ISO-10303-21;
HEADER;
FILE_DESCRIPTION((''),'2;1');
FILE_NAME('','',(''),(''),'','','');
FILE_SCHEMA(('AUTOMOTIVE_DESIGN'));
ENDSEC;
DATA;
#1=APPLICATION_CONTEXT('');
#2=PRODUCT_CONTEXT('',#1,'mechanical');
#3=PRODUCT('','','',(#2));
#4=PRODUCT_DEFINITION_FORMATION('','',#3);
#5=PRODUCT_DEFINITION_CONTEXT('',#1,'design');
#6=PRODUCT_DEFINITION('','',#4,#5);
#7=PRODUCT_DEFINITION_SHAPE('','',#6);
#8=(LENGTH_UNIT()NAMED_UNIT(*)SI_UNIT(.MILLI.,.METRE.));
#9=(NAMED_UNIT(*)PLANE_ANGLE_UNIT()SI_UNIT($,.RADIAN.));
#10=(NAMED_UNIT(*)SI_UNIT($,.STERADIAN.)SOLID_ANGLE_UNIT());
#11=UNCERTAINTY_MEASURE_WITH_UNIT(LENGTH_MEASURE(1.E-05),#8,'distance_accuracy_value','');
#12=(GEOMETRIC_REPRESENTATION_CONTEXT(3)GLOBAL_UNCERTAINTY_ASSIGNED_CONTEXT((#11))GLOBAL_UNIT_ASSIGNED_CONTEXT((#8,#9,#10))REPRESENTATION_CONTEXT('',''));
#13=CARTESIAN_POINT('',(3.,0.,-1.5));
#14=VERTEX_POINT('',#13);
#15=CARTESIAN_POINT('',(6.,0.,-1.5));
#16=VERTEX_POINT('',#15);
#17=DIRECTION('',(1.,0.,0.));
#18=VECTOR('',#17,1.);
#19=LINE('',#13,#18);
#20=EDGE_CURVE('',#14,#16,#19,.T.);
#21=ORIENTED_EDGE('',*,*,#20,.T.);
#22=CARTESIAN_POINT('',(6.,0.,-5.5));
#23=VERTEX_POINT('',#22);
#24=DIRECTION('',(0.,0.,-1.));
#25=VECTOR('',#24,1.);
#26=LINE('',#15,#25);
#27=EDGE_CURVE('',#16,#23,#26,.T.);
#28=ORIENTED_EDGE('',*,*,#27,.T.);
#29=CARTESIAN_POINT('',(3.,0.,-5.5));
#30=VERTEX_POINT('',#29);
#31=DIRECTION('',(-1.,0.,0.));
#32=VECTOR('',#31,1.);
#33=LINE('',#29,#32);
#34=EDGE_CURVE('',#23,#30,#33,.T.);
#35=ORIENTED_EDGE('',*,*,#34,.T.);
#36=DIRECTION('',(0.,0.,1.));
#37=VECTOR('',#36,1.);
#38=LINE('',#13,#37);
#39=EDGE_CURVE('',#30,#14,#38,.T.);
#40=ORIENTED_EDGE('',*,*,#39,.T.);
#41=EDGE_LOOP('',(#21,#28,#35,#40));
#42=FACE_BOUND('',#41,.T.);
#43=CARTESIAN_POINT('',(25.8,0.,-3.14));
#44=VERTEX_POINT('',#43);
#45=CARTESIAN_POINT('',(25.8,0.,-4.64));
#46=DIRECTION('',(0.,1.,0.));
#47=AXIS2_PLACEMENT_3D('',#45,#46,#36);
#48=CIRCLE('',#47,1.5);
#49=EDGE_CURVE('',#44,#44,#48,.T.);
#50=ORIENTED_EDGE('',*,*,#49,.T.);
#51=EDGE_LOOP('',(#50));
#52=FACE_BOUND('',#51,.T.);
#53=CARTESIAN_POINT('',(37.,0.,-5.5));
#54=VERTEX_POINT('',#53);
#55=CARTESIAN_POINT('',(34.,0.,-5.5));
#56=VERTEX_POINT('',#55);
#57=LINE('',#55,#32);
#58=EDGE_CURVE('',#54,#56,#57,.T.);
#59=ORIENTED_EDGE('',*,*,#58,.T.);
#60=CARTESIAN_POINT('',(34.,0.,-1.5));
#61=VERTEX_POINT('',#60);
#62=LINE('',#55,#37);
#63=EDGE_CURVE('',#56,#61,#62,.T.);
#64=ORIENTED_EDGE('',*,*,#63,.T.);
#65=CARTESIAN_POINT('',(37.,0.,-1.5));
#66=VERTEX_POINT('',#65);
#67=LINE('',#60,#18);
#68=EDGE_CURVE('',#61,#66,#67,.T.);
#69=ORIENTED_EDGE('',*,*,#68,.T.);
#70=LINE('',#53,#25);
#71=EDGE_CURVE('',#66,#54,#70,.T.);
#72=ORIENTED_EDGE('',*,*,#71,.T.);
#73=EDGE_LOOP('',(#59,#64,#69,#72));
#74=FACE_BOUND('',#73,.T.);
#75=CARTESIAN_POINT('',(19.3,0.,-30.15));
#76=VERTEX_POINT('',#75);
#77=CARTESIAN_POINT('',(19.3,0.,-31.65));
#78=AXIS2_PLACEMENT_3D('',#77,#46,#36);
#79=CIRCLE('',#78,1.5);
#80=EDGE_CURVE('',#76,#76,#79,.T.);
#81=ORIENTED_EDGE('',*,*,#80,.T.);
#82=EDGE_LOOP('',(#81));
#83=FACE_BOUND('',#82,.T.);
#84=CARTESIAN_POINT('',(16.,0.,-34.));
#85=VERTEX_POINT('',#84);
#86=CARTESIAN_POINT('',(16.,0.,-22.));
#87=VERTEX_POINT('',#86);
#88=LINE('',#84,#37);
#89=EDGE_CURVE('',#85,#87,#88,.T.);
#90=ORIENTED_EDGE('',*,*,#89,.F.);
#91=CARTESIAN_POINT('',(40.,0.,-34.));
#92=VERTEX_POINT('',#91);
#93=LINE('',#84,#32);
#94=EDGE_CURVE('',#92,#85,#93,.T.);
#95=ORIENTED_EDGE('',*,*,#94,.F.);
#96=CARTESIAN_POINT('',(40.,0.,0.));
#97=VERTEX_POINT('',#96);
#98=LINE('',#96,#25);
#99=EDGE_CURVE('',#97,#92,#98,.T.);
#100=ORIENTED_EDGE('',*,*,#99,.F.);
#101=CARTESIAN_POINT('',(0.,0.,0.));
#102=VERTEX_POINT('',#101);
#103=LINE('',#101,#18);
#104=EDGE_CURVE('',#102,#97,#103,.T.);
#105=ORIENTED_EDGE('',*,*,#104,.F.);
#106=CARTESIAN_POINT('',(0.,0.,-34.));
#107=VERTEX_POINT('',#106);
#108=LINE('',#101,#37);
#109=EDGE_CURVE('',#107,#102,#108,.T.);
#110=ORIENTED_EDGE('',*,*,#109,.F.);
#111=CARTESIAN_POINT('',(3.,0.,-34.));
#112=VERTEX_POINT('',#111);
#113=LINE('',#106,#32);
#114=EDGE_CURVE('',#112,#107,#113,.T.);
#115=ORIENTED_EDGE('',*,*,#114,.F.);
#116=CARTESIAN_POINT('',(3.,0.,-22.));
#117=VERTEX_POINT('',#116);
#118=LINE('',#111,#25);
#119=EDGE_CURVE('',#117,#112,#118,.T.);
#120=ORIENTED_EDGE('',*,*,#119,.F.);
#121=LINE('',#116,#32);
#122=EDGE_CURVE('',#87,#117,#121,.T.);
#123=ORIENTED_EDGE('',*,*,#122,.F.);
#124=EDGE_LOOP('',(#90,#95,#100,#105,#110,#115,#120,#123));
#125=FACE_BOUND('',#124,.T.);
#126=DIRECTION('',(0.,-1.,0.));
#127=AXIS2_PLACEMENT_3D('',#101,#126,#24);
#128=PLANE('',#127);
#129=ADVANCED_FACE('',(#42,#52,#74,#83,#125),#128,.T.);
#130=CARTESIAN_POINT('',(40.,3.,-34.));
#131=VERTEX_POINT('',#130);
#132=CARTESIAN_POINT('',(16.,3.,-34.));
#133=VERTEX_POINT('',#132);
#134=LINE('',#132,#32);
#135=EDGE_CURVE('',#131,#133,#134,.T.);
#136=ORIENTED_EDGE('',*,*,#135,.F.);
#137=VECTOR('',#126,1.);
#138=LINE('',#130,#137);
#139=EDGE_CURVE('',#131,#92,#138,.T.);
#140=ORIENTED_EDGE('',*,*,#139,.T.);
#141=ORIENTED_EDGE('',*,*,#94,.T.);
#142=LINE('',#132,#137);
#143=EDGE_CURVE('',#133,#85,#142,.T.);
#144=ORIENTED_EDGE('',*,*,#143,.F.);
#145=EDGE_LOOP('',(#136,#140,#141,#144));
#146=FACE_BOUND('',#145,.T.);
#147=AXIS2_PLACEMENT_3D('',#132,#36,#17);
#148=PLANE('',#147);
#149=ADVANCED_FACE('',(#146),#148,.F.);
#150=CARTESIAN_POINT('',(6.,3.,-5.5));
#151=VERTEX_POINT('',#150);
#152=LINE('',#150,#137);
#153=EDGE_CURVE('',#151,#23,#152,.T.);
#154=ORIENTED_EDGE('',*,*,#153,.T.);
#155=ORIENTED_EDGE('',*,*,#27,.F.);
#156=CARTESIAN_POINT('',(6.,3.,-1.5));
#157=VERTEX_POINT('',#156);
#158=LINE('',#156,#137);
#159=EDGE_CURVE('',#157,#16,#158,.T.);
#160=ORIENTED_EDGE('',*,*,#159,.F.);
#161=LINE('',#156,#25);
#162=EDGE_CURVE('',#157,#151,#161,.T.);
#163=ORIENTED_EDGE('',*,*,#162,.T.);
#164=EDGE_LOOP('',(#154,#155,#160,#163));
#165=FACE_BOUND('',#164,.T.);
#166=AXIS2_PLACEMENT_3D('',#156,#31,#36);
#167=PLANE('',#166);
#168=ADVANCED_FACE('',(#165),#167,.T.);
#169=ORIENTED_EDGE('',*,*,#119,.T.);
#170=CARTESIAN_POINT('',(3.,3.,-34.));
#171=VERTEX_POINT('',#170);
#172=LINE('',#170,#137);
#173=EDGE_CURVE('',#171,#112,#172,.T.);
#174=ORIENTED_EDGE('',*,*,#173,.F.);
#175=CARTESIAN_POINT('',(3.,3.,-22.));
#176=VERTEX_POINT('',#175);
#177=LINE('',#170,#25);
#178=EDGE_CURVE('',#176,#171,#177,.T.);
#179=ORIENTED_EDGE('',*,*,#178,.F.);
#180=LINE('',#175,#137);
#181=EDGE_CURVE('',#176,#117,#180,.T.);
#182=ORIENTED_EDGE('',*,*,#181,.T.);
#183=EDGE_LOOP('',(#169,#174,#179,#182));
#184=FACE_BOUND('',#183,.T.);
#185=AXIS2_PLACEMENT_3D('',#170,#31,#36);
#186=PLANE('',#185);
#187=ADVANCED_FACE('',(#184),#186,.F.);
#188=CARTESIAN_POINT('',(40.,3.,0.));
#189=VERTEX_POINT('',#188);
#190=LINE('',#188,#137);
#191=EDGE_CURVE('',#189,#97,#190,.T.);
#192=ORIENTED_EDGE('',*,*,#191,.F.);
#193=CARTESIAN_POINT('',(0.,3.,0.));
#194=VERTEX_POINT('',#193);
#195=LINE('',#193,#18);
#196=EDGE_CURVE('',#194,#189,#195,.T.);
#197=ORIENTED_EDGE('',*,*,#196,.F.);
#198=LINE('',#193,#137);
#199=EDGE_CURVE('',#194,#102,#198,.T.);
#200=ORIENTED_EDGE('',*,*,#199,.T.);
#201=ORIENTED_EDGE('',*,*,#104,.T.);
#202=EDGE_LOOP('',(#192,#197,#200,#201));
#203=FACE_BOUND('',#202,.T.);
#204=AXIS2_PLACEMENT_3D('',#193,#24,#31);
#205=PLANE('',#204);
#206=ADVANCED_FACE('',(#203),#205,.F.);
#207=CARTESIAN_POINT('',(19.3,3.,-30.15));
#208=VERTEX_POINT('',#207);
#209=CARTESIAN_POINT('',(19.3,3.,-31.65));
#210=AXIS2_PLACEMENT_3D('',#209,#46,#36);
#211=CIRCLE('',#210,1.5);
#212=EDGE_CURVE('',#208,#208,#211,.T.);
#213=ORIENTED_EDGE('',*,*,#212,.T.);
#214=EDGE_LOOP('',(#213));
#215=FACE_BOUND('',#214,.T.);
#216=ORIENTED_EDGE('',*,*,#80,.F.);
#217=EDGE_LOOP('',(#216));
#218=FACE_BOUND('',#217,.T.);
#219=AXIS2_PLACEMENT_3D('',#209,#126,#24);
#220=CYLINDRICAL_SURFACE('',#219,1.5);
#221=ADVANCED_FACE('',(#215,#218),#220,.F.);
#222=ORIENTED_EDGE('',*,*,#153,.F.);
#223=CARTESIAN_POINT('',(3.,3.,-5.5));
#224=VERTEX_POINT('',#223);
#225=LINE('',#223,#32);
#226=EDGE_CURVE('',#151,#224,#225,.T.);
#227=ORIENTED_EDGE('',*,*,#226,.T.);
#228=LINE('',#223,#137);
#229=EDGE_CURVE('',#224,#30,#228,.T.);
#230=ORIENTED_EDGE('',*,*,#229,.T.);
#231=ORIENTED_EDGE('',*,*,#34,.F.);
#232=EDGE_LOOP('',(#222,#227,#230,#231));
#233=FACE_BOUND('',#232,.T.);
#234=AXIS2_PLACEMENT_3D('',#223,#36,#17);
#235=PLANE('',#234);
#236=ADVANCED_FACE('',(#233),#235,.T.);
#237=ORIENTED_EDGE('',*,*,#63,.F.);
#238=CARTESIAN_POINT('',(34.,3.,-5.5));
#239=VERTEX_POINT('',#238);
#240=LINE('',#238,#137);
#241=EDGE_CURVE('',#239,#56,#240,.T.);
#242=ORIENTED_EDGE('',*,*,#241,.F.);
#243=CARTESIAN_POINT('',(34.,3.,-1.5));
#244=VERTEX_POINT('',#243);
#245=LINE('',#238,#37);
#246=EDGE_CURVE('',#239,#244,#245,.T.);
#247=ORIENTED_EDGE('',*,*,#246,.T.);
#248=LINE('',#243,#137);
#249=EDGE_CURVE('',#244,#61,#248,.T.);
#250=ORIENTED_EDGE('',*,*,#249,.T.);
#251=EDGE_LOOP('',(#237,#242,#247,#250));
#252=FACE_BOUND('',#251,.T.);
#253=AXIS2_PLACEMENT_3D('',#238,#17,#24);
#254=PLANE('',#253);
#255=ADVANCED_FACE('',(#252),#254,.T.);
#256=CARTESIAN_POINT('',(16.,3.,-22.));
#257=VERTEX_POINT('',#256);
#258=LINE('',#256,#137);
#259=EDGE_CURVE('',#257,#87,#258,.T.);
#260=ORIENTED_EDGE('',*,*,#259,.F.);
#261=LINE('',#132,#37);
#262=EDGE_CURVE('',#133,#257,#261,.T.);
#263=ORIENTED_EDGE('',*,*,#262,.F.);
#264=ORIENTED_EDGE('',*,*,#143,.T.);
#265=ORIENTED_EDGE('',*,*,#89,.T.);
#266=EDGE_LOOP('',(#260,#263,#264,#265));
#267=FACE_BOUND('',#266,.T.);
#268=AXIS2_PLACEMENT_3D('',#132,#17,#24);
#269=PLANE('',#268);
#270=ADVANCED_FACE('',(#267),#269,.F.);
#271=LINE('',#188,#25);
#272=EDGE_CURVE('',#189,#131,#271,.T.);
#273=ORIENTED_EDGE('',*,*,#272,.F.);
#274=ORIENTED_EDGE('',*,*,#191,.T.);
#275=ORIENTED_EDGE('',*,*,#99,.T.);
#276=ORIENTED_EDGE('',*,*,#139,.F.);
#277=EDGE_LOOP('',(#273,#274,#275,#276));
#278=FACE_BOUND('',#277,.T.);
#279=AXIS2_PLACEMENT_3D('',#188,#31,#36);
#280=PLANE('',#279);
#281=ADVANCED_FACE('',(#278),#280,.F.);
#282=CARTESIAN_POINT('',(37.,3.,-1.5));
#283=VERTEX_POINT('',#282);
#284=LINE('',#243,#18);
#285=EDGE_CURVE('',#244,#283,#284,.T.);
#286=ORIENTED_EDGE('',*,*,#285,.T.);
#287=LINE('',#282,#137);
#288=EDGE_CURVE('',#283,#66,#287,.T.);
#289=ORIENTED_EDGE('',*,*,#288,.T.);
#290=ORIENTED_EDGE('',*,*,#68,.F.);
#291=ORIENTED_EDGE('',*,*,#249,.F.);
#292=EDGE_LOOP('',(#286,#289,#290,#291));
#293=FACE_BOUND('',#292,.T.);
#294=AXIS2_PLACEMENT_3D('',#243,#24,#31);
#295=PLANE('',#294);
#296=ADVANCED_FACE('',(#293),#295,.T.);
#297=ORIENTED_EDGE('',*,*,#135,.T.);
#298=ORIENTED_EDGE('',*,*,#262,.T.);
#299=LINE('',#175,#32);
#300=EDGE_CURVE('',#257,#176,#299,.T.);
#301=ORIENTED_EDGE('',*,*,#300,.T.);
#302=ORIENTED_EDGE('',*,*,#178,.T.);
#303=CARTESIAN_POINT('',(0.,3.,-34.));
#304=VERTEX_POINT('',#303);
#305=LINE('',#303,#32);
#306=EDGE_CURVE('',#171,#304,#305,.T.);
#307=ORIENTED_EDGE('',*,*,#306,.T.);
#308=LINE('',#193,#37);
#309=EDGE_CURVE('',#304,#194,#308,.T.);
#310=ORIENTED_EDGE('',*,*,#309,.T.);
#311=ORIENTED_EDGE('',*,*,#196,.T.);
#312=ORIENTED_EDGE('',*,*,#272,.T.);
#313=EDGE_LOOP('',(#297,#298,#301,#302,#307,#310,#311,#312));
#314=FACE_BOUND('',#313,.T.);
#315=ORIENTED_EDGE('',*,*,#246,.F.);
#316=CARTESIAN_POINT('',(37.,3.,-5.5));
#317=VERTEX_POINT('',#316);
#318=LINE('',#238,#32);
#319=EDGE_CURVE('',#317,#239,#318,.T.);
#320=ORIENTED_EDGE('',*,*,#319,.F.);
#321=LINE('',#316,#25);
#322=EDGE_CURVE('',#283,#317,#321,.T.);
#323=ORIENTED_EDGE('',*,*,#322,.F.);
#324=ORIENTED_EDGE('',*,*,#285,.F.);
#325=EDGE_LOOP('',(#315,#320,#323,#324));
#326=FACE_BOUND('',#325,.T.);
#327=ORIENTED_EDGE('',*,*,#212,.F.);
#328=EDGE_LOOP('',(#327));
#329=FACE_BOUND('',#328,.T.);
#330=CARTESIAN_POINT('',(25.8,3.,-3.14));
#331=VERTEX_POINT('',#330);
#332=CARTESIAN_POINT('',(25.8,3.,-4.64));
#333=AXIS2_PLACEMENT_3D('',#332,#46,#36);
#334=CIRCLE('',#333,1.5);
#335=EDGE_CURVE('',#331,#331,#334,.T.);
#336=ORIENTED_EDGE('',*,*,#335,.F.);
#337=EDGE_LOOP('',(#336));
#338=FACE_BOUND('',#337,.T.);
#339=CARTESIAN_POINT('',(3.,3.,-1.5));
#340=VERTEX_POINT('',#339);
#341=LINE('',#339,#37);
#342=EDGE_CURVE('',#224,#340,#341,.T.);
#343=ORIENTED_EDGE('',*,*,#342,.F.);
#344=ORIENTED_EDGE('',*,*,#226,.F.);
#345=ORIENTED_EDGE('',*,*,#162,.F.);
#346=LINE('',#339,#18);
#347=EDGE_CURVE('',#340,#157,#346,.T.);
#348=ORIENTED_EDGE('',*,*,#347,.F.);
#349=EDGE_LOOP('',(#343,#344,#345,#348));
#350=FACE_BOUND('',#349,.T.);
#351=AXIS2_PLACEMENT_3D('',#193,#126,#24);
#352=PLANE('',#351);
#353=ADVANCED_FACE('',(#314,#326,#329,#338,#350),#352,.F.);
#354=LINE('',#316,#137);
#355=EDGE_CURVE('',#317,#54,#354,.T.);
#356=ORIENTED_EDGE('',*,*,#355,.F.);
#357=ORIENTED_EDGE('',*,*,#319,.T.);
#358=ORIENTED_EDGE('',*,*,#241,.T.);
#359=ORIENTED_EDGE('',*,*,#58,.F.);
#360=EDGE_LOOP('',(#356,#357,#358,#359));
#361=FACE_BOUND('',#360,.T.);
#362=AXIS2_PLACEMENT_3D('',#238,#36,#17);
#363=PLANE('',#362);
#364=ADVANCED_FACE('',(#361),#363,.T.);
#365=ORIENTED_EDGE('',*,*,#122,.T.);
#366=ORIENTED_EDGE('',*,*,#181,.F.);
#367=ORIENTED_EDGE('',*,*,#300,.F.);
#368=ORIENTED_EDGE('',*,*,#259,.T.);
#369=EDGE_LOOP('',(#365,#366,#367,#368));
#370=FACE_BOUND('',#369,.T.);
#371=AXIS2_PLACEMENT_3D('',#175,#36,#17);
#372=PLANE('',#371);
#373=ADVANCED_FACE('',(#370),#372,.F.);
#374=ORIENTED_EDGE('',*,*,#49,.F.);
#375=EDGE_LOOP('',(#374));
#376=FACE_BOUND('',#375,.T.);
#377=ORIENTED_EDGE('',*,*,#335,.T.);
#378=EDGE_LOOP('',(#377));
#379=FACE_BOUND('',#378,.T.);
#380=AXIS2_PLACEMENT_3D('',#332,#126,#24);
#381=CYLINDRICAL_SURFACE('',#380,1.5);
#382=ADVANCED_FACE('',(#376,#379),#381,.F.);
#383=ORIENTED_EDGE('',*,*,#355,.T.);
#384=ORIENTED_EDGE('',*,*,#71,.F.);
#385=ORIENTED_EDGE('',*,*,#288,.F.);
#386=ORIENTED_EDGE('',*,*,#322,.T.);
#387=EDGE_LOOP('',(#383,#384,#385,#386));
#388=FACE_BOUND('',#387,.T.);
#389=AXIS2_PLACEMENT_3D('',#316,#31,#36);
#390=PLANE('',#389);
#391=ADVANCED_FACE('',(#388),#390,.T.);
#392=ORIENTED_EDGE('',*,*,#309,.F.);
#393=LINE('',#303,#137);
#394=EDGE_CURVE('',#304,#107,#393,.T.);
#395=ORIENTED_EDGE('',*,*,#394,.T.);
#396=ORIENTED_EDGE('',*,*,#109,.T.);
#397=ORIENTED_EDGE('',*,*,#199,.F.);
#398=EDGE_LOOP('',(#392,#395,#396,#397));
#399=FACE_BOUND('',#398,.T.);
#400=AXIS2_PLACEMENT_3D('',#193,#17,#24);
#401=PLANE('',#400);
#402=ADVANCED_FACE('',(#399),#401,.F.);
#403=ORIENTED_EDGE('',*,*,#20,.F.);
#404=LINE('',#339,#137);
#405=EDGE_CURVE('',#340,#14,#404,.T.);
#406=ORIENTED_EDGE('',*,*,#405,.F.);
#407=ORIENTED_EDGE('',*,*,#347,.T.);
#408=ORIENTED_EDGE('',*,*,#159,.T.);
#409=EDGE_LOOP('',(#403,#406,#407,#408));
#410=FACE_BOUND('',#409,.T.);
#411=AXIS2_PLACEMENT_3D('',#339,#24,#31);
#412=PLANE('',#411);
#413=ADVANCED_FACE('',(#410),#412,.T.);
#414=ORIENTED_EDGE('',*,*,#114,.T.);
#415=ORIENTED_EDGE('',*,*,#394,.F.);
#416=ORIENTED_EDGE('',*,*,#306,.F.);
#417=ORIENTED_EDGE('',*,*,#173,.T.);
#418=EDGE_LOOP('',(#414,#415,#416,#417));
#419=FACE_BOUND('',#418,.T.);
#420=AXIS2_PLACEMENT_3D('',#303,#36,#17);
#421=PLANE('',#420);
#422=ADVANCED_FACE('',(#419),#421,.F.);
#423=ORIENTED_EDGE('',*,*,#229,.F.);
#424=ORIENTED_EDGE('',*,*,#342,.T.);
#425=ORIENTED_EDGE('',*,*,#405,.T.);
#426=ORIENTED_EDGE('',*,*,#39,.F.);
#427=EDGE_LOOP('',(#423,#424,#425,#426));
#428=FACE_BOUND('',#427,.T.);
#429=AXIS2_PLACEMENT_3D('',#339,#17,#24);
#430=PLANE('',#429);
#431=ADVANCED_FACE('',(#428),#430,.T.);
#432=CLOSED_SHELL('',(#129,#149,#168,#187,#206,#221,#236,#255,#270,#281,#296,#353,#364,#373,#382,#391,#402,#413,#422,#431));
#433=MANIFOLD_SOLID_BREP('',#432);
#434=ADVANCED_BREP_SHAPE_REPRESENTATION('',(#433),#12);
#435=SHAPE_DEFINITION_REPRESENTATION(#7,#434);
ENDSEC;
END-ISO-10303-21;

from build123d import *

# Parameters (mm, degrees)
SKETCH1_R           = 1.5
SKETCH1_W           = 3
SKETCH1_H           = 4
BOSS_EXTRUDE1_DEPTH = 3


with BuildPart() as part:
    # Sketch1 → Boss-Extrude1 (new body)
    with BuildSketch(Plane(origin=(0, 0, 0), x_dir=(1, 0, 0), z_dir=(0, 1, 0))):
        Polygon((16, 34), (40, 34), (40, 0), (0, 0), (0, 34), (3, 34), (3, 22), (16, 22), align=None)
        with Locations((19.3, 31.65)):
            Circle(SKETCH1_R, mode=Mode.SUBTRACT)
        with Locations((25.8, 4.64)):
            Circle(SKETCH1_R, mode=Mode.SUBTRACT)
        with Locations((4.5, 3.5)):
            Rectangle(SKETCH1_W, SKETCH1_H, mode=Mode.SUBTRACT)
        with Locations((35.5, 3.5)):
            Rectangle(SKETCH1_W, SKETCH1_H, mode=Mode.SUBTRACT)
    extrude(amount=BOSS_EXTRUDE1_DEPTH)


solid = part.part
